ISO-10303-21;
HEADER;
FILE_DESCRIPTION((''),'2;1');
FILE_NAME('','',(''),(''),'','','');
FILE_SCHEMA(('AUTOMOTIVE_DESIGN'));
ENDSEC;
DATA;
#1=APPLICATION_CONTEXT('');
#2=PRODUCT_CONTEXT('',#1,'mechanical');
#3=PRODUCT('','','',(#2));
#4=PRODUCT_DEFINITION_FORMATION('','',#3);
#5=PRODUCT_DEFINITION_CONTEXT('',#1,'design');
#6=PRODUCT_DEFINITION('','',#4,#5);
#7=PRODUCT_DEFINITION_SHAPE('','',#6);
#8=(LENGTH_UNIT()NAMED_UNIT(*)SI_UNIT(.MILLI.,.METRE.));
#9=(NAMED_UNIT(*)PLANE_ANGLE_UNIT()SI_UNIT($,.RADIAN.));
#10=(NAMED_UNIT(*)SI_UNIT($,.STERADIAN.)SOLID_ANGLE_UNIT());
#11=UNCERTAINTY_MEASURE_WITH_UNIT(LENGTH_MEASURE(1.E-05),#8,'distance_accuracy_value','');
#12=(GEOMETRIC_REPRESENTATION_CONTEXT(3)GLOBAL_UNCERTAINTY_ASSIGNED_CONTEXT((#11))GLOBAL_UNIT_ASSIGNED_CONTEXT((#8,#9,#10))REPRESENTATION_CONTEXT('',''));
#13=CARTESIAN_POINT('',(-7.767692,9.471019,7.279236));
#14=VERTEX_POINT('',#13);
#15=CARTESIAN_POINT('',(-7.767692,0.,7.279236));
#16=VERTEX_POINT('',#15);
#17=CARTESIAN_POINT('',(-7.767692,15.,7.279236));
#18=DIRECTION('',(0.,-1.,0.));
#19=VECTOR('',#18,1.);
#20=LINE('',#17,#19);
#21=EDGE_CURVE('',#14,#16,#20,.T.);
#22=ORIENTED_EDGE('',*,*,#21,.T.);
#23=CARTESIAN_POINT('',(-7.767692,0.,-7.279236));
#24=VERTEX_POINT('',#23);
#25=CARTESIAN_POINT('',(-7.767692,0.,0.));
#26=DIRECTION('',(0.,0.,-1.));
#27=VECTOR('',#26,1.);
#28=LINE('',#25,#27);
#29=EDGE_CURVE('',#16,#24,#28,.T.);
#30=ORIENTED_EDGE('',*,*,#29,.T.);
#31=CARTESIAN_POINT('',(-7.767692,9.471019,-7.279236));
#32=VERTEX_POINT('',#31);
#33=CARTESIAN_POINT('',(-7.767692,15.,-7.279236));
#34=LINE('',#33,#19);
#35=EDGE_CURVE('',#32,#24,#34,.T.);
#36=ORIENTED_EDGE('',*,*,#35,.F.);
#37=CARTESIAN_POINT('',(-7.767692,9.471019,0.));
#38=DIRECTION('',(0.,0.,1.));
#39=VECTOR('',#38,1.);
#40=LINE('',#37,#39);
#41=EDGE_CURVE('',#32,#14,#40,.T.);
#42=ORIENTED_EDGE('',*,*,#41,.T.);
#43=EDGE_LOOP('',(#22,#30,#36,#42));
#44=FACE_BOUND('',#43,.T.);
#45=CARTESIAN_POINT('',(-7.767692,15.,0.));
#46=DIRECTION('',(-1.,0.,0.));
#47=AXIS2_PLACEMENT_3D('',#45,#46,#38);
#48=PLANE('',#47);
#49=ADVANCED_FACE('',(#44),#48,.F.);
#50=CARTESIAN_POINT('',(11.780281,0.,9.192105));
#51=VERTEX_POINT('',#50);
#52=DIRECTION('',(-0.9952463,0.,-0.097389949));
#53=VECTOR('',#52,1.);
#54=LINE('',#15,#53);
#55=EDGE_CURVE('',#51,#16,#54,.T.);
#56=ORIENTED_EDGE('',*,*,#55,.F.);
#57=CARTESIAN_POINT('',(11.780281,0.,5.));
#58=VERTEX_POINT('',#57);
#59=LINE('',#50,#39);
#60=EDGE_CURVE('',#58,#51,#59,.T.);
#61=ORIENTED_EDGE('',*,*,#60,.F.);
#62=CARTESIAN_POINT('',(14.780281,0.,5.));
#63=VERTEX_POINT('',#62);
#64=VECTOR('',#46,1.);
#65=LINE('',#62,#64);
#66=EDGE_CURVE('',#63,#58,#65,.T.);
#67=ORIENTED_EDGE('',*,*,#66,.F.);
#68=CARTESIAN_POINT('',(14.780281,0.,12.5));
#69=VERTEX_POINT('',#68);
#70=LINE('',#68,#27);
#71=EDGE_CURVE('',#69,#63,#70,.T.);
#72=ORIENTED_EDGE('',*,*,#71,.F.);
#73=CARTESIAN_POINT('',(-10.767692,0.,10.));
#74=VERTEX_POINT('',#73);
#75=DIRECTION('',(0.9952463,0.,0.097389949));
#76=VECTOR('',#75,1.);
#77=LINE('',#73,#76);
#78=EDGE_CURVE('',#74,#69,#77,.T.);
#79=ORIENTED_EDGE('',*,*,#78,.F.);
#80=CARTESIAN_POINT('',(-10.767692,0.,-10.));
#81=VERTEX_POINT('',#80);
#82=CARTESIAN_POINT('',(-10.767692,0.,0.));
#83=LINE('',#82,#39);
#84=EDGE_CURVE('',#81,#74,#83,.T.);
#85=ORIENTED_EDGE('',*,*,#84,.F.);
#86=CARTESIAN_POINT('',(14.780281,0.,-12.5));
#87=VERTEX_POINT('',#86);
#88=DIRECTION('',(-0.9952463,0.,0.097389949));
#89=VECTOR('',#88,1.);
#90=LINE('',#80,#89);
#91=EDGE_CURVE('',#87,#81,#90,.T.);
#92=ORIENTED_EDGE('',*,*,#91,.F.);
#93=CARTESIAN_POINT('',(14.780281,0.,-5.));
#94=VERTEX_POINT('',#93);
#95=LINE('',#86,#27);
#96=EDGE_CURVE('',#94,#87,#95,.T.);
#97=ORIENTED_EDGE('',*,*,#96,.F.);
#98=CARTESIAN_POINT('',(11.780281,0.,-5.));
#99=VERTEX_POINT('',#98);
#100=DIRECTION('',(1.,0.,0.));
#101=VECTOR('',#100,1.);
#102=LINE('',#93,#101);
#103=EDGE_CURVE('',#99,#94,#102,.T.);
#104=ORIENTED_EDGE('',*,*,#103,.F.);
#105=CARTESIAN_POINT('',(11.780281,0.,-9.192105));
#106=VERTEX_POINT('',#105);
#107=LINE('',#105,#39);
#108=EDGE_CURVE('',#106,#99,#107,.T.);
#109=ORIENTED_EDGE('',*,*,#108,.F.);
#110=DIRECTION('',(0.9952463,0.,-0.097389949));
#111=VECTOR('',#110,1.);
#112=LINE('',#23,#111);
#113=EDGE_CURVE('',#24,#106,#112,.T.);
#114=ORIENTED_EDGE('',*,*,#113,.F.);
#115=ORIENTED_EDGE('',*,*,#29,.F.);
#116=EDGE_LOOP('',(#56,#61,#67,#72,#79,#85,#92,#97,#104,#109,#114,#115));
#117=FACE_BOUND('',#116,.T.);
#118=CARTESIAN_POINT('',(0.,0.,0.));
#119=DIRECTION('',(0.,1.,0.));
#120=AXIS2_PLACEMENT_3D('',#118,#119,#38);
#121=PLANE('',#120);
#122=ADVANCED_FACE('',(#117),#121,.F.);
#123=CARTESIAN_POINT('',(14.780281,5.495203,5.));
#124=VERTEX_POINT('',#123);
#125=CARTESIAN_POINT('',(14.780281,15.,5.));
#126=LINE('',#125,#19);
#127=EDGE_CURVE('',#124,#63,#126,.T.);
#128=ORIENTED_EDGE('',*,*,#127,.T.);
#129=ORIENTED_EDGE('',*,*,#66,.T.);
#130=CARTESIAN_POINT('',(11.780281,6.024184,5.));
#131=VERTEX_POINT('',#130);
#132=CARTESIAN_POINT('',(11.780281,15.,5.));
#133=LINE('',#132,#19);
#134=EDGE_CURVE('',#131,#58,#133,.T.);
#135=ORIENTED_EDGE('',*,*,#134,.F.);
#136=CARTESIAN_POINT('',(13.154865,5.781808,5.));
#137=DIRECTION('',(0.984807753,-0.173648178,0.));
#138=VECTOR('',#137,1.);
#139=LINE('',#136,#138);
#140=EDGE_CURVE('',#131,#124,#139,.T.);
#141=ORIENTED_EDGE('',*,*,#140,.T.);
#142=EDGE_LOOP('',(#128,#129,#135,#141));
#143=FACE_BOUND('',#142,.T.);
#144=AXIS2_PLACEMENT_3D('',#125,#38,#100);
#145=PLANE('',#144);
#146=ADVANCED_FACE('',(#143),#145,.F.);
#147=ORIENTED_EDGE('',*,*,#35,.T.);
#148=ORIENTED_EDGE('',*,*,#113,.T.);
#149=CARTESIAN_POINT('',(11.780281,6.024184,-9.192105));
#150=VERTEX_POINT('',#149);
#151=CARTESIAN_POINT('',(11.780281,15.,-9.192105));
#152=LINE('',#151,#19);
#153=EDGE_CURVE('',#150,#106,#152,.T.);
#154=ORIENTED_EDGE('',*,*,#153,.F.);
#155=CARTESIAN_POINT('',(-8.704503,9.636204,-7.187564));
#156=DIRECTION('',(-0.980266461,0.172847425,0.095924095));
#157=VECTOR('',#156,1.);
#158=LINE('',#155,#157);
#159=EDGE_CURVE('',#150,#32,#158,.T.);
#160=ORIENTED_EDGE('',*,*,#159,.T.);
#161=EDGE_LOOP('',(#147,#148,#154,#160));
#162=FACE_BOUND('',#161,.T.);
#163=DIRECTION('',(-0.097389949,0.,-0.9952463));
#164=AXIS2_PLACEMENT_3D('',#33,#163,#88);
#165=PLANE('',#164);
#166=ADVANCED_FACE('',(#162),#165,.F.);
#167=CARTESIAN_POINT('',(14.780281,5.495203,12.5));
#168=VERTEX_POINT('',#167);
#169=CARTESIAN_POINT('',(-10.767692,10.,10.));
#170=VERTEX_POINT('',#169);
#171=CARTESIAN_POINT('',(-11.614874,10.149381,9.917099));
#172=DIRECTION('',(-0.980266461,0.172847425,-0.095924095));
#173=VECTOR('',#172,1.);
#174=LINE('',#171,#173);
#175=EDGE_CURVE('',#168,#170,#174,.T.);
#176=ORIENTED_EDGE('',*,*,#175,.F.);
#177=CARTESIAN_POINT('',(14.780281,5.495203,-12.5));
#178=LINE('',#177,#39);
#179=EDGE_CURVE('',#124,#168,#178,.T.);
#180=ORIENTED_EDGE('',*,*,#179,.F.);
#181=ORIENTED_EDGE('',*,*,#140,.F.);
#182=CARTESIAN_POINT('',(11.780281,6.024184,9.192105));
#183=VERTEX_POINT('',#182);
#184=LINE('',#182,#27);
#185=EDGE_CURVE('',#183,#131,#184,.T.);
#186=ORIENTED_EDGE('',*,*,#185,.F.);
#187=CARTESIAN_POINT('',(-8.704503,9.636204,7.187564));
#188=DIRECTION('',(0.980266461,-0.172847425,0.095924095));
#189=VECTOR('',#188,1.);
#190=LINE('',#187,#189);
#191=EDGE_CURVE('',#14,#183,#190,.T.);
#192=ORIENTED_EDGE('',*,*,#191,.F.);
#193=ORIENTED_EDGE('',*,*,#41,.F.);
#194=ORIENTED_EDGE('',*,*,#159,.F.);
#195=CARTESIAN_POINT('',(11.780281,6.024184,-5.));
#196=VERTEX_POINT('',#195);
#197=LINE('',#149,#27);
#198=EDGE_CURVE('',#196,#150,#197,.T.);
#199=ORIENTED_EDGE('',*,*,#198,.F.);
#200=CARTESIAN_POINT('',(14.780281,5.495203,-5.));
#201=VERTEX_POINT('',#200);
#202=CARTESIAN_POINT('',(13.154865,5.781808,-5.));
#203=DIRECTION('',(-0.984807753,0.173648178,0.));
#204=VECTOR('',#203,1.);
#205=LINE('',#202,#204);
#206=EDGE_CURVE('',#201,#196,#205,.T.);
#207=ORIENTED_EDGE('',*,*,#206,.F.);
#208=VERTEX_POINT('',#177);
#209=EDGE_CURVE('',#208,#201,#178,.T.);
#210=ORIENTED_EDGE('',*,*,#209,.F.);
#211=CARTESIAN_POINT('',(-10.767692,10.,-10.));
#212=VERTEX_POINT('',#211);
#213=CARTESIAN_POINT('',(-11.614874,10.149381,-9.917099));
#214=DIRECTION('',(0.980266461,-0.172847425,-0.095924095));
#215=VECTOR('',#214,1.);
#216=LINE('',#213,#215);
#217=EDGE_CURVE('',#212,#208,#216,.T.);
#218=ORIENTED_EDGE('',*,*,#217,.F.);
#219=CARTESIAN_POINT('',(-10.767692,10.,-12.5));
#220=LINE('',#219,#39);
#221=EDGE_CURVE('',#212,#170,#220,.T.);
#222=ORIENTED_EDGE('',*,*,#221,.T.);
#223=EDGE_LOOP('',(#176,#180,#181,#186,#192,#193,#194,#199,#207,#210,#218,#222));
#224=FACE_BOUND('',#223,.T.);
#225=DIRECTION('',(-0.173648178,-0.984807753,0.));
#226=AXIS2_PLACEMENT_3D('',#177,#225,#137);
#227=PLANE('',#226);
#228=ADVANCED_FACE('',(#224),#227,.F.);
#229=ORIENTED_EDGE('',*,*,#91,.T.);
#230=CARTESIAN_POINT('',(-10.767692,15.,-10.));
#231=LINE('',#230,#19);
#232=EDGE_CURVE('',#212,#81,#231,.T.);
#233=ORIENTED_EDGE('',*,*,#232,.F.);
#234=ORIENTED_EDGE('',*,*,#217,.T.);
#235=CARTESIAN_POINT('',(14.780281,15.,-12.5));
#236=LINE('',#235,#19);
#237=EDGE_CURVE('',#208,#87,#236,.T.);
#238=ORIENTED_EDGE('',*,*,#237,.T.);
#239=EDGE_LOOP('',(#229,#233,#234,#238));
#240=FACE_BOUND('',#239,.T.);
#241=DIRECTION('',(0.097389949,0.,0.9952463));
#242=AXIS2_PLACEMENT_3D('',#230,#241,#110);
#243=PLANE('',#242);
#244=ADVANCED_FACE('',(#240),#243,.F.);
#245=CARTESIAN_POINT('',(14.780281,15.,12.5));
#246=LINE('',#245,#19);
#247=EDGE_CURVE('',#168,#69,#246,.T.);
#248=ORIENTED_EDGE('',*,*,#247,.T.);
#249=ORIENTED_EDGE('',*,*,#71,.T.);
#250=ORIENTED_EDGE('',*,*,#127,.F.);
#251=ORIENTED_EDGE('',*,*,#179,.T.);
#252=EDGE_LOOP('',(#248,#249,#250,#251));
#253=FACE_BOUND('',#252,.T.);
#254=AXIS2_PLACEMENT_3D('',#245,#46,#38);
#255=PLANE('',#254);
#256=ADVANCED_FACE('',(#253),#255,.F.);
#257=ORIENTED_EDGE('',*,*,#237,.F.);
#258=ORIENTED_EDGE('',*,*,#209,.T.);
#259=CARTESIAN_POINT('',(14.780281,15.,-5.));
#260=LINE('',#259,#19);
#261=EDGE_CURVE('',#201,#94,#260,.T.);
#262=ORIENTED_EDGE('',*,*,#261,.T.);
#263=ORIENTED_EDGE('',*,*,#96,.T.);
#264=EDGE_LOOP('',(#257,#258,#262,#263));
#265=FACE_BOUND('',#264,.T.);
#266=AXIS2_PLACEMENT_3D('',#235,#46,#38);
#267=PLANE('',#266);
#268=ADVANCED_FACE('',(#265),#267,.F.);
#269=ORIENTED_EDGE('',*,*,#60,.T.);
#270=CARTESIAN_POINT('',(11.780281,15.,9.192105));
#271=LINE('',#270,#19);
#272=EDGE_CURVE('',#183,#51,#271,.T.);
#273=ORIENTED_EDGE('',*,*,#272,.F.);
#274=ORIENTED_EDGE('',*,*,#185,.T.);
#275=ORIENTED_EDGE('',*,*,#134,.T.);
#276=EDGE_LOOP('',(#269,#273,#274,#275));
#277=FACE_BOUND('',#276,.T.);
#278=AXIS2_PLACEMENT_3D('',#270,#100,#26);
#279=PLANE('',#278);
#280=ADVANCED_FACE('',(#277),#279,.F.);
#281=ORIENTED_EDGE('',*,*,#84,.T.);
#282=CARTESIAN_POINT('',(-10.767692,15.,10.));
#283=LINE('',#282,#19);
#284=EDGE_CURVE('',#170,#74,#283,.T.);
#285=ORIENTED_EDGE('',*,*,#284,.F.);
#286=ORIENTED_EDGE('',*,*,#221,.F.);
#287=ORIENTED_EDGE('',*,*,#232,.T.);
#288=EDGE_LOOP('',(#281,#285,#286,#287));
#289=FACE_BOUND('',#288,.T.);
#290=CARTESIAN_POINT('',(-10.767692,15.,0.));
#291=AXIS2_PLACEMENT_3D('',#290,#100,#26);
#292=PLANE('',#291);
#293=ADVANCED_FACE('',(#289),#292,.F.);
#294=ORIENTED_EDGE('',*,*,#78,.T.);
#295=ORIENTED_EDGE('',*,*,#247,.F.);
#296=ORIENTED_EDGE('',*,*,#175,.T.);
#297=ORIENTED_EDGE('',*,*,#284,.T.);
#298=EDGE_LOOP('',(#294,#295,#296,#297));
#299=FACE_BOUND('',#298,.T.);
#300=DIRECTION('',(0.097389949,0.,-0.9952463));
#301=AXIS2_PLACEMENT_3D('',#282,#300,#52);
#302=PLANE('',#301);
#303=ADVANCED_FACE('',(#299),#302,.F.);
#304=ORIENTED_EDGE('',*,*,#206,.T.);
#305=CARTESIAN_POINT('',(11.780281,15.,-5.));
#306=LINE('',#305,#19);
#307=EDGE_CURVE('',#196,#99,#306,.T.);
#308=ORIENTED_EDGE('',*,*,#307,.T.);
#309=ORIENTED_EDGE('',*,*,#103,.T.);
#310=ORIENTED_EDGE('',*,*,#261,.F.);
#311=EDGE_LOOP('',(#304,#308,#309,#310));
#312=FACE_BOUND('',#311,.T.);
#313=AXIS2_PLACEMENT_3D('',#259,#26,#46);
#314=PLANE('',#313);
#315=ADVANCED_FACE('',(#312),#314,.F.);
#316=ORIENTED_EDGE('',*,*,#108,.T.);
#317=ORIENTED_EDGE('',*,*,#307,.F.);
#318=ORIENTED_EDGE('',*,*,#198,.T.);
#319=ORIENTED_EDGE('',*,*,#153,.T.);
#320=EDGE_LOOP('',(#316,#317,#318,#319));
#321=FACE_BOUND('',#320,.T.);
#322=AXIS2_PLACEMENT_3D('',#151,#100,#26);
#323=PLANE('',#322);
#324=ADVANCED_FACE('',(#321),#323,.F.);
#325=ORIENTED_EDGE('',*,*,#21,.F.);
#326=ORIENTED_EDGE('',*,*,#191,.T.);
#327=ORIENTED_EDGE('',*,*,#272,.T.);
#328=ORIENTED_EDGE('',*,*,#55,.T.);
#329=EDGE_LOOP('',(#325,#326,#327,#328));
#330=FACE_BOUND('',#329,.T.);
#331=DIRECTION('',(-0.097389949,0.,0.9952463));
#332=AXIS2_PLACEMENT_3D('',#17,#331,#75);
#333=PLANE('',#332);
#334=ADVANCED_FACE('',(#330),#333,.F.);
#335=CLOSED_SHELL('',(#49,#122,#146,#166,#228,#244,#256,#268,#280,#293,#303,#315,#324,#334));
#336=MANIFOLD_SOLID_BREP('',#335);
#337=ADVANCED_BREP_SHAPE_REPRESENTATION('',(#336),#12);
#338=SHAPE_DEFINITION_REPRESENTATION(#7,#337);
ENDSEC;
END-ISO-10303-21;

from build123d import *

# Parameters (mm, degrees)
BOSS_EXTRUDE1_DEPTH     = 15
CUT_EXTRUDE1_DEPTH      = 25.488909851
CUT_EXTRUDE1_DEPTH_BACK = 25.488909851


with BuildPart() as part:
    # Sketch1 → Boss-Extrude1 (new body)
    with BuildSketch(Plane(origin=(0, 0, 0), x_dir=(1, 0, 0), z_dir=(0, 1, 0))):
        Polygon((-10.767691547, 0), (-10.767691547, -10), (14.780280975, -12.5), (14.780280975, -5), (11.780280975, -5), (11.780280975, -9.192105414), (-7.767691547, -7.279236153), (-7.767691547, 0), (-7.767691547, 7.279236153), (11.780280975, 9.192105414), (11.780280975, 5), (14.780280975, 5), (14.780280975, 12.5), (-10.767691547, 10), align=None)
    extrude(amount=BOSS_EXTRUDE1_DEPTH)

    # Sketch2 → Cut-Extrude1 (cut, two sides: drawn at the far end of the back side and taken through both)
    with BuildSketch(Plane.XY.offset(-CUT_EXTRUDE1_DEPTH_BACK)):
        Polygon((14.780280975, 15), (14.780280975, 5.495203142), (-10.767691547, 10), (-10.767691547, 15), align=None)
    extrude(amount=CUT_EXTRUDE1_DEPTH + CUT_EXTRUDE1_DEPTH_BACK, mode=Mode.SUBTRACT)


solid = part.part
